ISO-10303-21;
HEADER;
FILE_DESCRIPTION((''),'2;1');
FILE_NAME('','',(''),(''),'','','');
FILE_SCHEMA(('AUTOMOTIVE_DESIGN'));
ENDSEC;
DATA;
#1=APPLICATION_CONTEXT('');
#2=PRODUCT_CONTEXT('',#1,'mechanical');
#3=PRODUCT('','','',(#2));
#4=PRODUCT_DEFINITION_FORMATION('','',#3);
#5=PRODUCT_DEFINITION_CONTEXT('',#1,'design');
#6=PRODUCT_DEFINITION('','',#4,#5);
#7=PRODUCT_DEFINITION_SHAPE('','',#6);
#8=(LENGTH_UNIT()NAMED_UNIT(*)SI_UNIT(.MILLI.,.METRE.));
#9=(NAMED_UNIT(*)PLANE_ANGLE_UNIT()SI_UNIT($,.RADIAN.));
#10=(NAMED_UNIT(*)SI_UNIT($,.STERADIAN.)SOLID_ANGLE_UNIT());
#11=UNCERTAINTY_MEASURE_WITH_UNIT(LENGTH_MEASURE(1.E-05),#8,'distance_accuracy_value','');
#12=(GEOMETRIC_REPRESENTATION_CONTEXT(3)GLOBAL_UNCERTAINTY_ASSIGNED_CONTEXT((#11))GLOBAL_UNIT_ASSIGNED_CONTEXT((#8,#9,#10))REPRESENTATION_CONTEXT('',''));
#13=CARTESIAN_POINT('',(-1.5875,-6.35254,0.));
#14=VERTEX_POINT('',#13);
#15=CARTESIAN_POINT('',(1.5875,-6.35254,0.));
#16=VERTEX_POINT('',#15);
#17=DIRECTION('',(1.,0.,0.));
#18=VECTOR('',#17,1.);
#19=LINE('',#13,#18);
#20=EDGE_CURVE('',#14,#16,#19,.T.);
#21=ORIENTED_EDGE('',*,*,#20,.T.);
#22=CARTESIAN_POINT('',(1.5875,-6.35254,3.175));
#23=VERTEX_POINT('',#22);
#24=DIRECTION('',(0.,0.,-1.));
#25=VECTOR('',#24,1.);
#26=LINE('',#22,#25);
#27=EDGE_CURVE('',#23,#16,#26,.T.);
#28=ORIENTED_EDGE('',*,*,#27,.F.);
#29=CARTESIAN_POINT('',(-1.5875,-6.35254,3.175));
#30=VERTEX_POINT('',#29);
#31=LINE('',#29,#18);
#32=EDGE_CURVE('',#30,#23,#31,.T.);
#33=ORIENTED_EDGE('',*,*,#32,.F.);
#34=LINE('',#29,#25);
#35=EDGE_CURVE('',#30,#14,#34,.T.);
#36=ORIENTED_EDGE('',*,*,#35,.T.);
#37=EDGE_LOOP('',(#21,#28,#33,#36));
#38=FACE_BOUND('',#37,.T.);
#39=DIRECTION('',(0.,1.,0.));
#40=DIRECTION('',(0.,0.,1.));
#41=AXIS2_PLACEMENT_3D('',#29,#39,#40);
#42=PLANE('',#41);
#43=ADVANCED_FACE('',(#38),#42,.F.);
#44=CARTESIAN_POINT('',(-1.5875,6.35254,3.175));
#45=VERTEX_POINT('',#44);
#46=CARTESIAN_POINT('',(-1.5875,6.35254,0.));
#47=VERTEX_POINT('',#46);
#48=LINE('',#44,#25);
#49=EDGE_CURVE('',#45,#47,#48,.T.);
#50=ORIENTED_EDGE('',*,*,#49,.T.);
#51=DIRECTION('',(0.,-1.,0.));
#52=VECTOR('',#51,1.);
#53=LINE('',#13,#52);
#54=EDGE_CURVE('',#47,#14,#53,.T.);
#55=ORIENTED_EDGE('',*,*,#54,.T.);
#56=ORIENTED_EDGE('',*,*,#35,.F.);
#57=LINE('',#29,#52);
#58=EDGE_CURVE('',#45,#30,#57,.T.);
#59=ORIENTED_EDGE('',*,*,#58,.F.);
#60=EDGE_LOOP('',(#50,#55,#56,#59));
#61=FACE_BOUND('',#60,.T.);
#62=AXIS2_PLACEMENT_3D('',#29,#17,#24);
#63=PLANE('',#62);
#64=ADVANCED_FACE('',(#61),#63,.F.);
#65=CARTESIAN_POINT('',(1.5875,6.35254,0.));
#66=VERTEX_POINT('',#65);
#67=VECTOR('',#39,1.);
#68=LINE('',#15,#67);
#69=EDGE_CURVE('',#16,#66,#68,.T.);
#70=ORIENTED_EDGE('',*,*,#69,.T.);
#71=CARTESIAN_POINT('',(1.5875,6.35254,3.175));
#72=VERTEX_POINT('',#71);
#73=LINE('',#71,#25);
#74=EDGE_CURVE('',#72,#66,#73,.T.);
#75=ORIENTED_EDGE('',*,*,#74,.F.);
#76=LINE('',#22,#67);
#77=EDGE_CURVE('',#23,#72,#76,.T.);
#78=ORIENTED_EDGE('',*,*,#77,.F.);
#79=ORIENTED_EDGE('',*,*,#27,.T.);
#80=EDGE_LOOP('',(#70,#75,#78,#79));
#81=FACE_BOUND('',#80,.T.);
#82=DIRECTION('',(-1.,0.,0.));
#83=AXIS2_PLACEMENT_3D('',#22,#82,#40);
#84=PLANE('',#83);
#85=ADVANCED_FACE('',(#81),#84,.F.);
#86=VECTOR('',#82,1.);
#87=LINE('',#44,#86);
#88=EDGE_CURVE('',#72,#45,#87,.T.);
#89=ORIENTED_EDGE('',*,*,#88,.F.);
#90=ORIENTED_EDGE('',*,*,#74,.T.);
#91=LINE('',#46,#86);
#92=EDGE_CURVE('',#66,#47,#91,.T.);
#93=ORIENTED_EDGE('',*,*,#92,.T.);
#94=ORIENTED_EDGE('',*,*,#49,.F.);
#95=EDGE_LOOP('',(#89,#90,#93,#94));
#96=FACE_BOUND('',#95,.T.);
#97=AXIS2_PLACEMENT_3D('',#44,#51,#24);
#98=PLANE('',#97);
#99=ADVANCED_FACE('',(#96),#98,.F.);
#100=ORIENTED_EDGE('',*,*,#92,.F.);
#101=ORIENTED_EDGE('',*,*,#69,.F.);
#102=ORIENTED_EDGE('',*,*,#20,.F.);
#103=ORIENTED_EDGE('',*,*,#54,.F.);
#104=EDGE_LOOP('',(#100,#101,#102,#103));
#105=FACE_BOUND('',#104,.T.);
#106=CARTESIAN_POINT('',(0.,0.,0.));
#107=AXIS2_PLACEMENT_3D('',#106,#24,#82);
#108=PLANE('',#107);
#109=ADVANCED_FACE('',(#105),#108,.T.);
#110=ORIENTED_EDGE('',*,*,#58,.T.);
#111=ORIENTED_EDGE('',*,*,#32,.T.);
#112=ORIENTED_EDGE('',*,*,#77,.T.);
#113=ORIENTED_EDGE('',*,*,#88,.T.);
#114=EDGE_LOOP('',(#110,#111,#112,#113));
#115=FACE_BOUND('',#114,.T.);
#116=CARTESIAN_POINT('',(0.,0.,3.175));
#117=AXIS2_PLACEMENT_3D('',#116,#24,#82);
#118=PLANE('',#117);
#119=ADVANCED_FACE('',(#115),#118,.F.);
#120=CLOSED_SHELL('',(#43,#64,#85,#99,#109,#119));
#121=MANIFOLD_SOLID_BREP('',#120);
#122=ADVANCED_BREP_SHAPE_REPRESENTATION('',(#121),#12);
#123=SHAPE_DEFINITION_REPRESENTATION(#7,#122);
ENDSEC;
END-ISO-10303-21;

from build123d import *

# Parameters (mm, degrees)
SKETCH2_W           = 3.175
SKETCH2_H           = 12.70508
BOSS_EXTRUDE1_DEPTH = 3.175


with BuildPart() as part:
    # Sketch2 → Boss-Extrude1 (new body)
    with BuildSketch(Plane.XY):
        Rectangle(SKETCH2_W, SKETCH2_H)
    extrude(amount=BOSS_EXTRUDE1_DEPTH)


solid = part.part
